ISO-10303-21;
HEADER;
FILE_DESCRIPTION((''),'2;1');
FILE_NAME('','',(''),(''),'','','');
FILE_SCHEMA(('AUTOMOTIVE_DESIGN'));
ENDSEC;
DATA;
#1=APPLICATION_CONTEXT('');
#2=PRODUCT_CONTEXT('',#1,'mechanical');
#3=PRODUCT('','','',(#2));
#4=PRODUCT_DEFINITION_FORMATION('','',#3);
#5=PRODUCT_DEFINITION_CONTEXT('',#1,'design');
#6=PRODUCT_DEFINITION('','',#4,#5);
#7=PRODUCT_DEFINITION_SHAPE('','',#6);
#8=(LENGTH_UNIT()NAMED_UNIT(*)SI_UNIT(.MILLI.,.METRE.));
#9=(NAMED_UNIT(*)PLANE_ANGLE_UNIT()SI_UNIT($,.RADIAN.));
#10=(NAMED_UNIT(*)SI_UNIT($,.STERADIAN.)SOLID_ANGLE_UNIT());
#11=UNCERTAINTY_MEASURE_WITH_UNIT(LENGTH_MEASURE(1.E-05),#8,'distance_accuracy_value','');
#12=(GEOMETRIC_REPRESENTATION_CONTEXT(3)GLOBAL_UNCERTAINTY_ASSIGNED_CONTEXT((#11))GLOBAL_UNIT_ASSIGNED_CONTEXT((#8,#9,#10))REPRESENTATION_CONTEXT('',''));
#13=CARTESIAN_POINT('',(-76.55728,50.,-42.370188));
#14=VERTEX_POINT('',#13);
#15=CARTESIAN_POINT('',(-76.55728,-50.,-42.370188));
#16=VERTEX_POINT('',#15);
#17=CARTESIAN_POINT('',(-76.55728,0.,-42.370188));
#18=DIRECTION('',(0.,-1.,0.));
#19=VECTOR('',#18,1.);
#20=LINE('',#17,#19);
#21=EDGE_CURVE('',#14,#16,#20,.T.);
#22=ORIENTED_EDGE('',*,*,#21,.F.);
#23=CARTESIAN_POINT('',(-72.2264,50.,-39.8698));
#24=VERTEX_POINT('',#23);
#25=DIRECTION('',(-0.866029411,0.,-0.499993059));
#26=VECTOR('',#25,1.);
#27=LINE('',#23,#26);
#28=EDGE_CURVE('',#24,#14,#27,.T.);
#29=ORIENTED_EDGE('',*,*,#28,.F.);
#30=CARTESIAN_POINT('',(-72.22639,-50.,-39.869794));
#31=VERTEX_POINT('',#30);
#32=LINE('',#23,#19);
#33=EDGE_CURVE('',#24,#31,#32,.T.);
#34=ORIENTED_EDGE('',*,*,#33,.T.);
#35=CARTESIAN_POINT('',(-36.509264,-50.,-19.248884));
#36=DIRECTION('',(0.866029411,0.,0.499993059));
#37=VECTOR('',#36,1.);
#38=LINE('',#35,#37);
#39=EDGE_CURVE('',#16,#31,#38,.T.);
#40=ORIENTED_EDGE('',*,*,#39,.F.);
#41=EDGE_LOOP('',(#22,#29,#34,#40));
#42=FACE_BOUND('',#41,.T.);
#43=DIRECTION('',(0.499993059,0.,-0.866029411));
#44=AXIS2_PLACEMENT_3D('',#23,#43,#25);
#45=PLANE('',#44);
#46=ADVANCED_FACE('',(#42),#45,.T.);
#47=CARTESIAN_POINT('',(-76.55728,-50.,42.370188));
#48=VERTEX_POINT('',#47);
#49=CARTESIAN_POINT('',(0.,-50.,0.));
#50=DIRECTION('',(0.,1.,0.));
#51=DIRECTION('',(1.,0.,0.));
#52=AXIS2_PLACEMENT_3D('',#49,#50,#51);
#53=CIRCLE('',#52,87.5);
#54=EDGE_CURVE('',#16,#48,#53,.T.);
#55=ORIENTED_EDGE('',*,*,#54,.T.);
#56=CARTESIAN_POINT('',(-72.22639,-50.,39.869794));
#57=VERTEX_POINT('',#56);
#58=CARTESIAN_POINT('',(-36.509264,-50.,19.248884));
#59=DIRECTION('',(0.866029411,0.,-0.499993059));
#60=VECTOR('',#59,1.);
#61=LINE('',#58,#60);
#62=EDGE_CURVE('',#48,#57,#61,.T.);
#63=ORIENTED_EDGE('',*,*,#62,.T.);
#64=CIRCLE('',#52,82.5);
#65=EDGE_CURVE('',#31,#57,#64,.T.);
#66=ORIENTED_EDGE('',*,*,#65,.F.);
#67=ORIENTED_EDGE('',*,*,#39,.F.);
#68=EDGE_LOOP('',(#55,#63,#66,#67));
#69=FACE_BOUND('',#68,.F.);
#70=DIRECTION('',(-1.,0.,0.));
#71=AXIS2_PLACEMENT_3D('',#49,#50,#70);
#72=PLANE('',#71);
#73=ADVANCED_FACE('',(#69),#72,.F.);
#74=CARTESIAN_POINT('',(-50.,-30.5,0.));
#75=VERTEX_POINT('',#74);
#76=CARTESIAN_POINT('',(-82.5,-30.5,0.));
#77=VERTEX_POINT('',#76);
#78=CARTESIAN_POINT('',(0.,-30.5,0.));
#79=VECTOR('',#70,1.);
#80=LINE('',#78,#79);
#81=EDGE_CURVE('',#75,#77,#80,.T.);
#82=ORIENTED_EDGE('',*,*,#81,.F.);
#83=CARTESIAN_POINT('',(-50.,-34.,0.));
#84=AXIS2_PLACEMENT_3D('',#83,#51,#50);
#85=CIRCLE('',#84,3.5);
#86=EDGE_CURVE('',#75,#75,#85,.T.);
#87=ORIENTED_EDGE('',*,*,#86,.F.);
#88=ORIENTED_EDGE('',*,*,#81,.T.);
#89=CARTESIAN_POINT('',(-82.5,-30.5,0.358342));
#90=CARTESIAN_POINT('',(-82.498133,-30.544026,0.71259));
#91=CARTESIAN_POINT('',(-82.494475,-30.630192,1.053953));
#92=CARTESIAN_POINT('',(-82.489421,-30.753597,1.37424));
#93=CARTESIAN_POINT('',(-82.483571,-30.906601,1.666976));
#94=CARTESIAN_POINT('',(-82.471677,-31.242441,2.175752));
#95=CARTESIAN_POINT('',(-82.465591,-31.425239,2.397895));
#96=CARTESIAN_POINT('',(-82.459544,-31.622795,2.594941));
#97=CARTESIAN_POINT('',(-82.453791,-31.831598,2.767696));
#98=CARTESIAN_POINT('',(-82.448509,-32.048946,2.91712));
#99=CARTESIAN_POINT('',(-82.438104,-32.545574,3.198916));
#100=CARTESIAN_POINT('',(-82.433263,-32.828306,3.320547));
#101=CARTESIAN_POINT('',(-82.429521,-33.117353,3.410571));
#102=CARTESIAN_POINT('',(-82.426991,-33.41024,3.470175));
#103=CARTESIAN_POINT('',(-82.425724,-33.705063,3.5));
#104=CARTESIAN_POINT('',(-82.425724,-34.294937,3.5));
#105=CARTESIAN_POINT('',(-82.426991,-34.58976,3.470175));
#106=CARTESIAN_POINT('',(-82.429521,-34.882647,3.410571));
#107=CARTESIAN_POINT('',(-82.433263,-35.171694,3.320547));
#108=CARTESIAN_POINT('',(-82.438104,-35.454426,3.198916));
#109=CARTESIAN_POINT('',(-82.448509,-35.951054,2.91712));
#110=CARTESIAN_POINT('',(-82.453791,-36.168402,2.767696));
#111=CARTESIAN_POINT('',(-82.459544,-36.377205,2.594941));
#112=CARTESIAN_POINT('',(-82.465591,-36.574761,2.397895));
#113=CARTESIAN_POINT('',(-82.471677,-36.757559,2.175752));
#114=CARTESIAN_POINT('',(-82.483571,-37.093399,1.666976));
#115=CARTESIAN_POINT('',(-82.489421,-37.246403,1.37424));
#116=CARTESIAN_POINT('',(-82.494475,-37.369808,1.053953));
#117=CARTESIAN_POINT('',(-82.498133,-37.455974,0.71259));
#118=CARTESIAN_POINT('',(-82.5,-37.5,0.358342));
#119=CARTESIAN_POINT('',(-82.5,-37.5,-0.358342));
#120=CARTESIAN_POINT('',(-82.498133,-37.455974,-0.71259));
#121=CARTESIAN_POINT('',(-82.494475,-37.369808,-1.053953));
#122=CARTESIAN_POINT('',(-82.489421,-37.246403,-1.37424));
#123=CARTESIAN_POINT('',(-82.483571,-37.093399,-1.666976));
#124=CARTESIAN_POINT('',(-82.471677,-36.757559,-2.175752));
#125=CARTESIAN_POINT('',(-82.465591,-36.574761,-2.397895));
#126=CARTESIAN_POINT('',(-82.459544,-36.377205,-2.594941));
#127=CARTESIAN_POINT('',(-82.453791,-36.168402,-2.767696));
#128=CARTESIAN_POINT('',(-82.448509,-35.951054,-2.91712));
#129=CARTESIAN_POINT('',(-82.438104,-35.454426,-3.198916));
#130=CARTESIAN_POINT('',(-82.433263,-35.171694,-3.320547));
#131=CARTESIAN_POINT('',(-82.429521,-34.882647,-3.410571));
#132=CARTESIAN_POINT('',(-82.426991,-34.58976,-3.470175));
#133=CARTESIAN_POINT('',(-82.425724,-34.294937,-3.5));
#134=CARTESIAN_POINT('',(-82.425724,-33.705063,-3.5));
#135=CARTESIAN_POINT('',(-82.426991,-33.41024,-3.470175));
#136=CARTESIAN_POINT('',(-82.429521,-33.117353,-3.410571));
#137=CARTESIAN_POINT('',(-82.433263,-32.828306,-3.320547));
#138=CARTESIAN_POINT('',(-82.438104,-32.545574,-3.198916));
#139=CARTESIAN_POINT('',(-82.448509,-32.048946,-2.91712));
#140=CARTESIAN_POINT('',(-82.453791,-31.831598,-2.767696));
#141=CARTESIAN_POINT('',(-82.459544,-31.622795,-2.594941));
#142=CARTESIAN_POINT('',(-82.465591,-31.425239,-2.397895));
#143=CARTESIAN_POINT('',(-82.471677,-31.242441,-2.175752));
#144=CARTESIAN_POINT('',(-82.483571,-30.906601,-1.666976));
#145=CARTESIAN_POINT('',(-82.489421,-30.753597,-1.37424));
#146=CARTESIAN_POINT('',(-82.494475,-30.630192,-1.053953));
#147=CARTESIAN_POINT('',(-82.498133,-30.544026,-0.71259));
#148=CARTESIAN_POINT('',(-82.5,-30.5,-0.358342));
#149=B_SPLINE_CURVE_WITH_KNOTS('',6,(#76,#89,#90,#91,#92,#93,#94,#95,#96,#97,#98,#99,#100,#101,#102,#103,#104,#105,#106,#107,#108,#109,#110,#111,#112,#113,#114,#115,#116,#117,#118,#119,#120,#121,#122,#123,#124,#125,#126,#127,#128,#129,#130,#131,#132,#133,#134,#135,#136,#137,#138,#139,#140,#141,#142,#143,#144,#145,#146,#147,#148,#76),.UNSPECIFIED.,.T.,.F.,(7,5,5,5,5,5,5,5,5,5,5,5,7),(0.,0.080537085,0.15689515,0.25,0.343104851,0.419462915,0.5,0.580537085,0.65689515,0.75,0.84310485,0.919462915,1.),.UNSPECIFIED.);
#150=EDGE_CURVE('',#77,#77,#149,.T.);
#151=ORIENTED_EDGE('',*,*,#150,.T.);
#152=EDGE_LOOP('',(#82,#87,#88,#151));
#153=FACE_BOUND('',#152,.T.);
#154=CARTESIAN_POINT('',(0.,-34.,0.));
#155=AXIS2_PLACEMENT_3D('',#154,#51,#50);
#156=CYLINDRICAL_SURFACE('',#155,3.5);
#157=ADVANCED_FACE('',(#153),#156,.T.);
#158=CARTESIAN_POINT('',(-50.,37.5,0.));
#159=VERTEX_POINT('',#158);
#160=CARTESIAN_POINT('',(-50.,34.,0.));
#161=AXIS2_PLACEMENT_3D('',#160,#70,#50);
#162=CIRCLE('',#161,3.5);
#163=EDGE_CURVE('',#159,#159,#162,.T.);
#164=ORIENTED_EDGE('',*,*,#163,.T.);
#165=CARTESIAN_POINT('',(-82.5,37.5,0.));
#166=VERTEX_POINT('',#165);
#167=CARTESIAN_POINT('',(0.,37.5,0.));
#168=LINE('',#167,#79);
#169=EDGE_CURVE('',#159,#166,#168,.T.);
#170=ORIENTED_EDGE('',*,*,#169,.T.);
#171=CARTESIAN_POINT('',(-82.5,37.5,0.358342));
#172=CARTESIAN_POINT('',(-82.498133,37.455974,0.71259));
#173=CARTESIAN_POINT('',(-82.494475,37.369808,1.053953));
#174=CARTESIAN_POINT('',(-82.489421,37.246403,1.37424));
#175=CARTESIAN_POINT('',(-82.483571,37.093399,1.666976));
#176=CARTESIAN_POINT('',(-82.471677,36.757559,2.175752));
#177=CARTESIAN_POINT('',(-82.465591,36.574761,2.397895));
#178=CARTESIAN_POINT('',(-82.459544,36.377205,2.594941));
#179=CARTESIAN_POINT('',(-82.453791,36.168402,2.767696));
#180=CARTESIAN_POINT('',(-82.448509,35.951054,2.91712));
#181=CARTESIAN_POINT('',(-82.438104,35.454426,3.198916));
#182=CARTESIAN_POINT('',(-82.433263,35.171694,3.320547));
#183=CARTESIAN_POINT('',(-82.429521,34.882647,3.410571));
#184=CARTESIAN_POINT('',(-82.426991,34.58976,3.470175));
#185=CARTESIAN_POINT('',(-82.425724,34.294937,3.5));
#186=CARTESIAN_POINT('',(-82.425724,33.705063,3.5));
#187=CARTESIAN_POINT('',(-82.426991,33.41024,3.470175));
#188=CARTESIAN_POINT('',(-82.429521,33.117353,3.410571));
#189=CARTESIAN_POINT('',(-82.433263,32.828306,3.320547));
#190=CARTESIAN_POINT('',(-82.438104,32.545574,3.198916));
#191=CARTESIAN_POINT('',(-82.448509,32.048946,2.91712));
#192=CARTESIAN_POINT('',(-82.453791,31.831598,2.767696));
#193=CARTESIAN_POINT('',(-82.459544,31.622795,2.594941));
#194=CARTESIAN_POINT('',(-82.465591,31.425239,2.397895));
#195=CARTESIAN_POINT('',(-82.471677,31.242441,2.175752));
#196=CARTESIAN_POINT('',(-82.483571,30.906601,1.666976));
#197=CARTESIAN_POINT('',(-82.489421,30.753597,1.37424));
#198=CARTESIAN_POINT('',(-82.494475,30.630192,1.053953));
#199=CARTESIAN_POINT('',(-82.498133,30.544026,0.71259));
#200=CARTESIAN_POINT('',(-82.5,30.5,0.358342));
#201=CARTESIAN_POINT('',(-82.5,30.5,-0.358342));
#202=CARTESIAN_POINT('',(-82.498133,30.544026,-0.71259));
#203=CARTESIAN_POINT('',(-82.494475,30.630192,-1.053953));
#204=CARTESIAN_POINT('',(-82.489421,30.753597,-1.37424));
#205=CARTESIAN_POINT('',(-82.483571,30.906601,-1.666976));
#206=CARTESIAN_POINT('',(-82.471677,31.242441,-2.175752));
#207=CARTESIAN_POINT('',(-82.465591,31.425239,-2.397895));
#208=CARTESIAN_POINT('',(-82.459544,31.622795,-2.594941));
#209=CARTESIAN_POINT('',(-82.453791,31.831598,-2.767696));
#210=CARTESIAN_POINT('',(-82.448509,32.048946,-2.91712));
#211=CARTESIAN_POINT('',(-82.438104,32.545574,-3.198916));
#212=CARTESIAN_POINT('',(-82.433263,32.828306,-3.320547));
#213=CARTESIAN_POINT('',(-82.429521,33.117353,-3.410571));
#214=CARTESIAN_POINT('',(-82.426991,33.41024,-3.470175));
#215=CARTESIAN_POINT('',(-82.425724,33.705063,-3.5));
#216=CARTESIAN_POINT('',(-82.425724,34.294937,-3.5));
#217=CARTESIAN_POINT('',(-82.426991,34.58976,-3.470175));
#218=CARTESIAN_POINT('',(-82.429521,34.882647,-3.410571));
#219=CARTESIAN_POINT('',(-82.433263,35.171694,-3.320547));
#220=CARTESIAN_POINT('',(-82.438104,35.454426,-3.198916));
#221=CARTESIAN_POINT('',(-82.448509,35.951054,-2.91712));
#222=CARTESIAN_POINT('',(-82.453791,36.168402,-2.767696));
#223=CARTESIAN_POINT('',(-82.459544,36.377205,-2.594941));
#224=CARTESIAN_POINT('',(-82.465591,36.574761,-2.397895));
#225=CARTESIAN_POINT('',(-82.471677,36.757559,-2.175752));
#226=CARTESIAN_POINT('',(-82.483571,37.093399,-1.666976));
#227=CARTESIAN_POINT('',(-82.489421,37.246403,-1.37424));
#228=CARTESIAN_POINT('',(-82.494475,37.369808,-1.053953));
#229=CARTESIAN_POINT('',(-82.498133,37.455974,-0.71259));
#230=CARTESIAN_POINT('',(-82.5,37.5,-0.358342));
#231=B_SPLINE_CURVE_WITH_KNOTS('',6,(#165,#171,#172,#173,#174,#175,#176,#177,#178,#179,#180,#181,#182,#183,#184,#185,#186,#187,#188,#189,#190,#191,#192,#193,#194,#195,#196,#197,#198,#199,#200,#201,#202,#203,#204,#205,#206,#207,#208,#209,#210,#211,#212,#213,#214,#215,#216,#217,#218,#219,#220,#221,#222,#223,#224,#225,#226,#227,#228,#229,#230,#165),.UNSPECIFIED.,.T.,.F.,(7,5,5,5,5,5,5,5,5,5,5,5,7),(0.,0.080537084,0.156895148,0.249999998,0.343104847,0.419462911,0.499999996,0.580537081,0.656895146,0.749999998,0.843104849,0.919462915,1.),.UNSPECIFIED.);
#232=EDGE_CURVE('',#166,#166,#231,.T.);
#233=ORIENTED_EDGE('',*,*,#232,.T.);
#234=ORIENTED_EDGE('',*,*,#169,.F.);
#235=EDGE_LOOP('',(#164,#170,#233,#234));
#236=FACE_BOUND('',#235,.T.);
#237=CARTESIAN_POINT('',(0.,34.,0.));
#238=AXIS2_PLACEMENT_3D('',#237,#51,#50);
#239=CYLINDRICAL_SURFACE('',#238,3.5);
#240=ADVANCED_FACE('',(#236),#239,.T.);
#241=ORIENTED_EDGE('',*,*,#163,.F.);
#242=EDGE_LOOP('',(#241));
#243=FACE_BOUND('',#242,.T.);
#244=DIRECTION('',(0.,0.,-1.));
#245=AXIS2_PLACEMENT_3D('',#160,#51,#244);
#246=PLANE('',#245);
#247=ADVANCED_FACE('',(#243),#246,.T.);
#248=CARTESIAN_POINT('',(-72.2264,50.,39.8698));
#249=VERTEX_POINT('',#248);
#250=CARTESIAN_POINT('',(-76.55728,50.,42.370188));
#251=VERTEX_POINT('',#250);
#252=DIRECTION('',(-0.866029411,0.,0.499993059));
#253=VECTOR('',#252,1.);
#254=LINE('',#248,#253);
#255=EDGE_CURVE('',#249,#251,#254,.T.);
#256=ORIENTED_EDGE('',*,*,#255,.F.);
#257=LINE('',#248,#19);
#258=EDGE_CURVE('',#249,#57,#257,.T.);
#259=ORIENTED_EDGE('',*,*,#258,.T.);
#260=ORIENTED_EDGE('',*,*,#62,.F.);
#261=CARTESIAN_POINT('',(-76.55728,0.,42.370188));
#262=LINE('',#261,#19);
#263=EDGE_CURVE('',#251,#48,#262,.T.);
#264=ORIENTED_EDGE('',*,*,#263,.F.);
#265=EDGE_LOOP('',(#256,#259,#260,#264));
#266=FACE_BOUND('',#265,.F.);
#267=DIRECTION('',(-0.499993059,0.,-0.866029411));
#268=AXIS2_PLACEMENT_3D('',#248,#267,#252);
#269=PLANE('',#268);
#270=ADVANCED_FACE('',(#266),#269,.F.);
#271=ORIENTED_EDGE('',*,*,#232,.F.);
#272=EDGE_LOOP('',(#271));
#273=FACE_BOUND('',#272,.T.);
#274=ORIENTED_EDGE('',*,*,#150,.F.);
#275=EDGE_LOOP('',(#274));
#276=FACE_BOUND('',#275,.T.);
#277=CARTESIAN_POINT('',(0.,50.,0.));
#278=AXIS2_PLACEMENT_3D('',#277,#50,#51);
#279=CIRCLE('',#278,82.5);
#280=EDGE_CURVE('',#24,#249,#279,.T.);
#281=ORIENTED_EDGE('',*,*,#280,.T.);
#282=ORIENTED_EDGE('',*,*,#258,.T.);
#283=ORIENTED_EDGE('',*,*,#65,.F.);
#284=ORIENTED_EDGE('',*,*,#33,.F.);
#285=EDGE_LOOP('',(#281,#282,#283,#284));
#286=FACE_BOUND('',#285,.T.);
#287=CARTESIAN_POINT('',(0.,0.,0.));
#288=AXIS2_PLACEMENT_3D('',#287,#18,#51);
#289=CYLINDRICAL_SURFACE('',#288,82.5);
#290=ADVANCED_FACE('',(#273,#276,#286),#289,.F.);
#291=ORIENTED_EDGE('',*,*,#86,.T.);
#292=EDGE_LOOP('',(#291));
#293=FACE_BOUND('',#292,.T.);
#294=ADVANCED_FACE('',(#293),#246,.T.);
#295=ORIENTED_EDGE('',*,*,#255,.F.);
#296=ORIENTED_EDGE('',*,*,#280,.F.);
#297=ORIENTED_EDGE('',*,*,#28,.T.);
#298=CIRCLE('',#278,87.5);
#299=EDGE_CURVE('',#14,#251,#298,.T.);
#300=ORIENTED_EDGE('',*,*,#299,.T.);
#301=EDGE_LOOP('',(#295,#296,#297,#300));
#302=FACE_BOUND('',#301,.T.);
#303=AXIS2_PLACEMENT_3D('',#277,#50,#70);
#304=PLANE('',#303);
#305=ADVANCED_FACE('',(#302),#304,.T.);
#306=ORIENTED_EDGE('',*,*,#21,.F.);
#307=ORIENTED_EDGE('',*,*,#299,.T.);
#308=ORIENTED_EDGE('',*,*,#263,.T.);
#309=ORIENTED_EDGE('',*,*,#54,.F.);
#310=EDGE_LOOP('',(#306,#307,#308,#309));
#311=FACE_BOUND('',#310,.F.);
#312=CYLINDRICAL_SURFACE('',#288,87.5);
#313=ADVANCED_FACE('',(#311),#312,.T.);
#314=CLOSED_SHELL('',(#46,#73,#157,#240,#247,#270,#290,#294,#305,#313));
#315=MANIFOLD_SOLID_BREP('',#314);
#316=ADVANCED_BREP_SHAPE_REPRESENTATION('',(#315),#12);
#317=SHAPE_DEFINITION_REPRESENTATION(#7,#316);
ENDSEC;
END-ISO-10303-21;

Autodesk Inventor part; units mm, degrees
ref_plane "YZ Plane" through (0, 0, 0) normal (1, 0, 0) x (0, 1, 0)
ref_plane "XZ Plane" through (0, 0, 0) normal (0, 1, 0) x (-1, 0, 0)
ref_plane "XY Plane" through (0, 0, 0) normal (0, 0, 1) x (1, 0, 0)
sketch "Sketch1" plane through (0, 0, 0) normal (0, 1, 0) x (-1, 0, 0)
  arc A0 (-87.5, 0) -> (0, 87.5) centre (0, 0) ccw
  arc A1 (-82.5, 0) -> (0, 82.5) centre (0, 0) ccw
  line L0 (0, 87.5) -> (0, 82.5)
  line L1 (-82.5, 0) -> (-87.5, 0)
  dimension "d0" = 165
  dimension "d1" = 175
  dimension "d7" = 0
  dimension "d8" = 0
extrude "Extrusion1" add sketch "Sketch1" along normal mid plane 100
sketch "Sketch5" plane through (0, 0, 0) normal (1, 0, 0) x (0, 1, 0)
  line L0 (-50, 0) -> (50, 0) projected
  circle A0 centre (34, 0) radius 3.5
  circle A1 centre (-34, 0) radius 3.5
  point P0 (0, 0)
  dimension "d22" = 7
  dimension "d23" = 7
  dimension "d24" = 68
  dimension "d25" = 34
extrude "Extrusion4" add sketch "Sketch5" against normal up to next
sketch "Sketch6" plane through (0, 34, 0) normal (1, 0, 0) x (0, 0, -1)
  circle A0 centre (0, 0) radius 3.5
  line L0 (0, -84) -> (0, 16) projected
  circle A1 centre (0, -68.0281) radius 3.5281
  point P0 (0, -34)
extrude "Extrusion5" cut sketch "Sketch6" against normal blind 50
sketch "Sketch7" plane through (0, 50, 0) normal (0, 1, 0) x (1, 0, 0)
  arc A0 (87.5, 0) -> (0, -87.5) centre (0, 0) ccw construction
  arc A1 (82.5, 0) -> (0, -82.5) centre (0, 0) ccw construction
  arc A2 (-87.5, 0) -> (-76.5573, -42.3702) centre (0, 0) ccw
  arc A3 (-82.5, 0) -> (-72.2264, -39.8698) centre (0, 0) ccw
  line L0 (-72.2264, -39.8698) -> (-76.5573, -42.3702)
  line L1 (0, 0) -> (-87.5, 0) construction
  arc A4 (0, 87.5) -> (87.5, 0) centre (0, 0) ccw construction
  arc A5 (0, 82.5) -> (82.5, 0) centre (0, 0) ccw construction
  arc A6 (-76.5573, 42.3702) -> (-87.5, 0) centre (0, 0) ccw
  arc A7 (-72.2264, 39.8698) -> (-82.5, 0) centre (0, 0) ccw
  line L2 (-72.2264, 39.8698) -> (-76.5573, 42.3702)
  arc A8 (82.5, 0) -> (-72.2264, 39.8698) centre (0, 0) ccw
  arc A9 (87.5, 0) -> (-76.5573, 42.3702) centre (0, 0) ccw
  arc A10 (-76.5573, -42.3702) -> (0, -87.5) centre (0, 0) ccw
  arc A11 (-72.2264, -39.8698) -> (0, -82.5) centre (0, 0) ccw
  line L3 (-156.1445, -133.794) -> (99.266, -133.794)
  line L4 (99.266, -133.794) -> (99.266, 159.7464)
  line L5 (99.266, 159.7464) -> (-156.1445, 159.7464)
  line L6 (-156.1445, 159.7464) -> (-156.1445, -133.794)
  circle A12 centre (0, 0) radius 82.5
  point P0 (0, -82.5)
  dimension "d30" = 30
  dimension "d31" = 45.3349
  dimension "d32" = 0
  dimension "d33" = 255.4104
  dimension "d34" = 293.5404
  dimension "d35" = 159.7464
  dimension "d36" = 11.766
extrude "Extrusion6" cut sketch "Sketch7" against normal up to next
sketch "Sketch3" plane through (0, 0, 0) normal (1, 0, 0) x (0, 1, 0)
  circle A0 centre (0, 34) radius 3.5
  circle A1 centre (0, -34) radius 3.5
  circle A2 centre (0, 34) radius 3.5
  circle A3 centre (0, -34) radius 3.5
  point P0 (0, 0)
  dimension "d9" = 7
  dimension "d10" = 7
  dimension "d11" = 68
  dimension "d12" = 34
  dimension "d13" = 34
sketch "Sketch4" plane through (0, 0, 34) normal (1, 0, 0) x (0, 0, -1)
  circle A0 centre (0, 0) radius 3.5
  circle A1 centre (68, 0) radius 3.5 projected
  circle A2 centre (68, 0) radius 3.5
  point P0 (34, 0)
equation "\"d26\" = d23"
properties part number "airframe"
